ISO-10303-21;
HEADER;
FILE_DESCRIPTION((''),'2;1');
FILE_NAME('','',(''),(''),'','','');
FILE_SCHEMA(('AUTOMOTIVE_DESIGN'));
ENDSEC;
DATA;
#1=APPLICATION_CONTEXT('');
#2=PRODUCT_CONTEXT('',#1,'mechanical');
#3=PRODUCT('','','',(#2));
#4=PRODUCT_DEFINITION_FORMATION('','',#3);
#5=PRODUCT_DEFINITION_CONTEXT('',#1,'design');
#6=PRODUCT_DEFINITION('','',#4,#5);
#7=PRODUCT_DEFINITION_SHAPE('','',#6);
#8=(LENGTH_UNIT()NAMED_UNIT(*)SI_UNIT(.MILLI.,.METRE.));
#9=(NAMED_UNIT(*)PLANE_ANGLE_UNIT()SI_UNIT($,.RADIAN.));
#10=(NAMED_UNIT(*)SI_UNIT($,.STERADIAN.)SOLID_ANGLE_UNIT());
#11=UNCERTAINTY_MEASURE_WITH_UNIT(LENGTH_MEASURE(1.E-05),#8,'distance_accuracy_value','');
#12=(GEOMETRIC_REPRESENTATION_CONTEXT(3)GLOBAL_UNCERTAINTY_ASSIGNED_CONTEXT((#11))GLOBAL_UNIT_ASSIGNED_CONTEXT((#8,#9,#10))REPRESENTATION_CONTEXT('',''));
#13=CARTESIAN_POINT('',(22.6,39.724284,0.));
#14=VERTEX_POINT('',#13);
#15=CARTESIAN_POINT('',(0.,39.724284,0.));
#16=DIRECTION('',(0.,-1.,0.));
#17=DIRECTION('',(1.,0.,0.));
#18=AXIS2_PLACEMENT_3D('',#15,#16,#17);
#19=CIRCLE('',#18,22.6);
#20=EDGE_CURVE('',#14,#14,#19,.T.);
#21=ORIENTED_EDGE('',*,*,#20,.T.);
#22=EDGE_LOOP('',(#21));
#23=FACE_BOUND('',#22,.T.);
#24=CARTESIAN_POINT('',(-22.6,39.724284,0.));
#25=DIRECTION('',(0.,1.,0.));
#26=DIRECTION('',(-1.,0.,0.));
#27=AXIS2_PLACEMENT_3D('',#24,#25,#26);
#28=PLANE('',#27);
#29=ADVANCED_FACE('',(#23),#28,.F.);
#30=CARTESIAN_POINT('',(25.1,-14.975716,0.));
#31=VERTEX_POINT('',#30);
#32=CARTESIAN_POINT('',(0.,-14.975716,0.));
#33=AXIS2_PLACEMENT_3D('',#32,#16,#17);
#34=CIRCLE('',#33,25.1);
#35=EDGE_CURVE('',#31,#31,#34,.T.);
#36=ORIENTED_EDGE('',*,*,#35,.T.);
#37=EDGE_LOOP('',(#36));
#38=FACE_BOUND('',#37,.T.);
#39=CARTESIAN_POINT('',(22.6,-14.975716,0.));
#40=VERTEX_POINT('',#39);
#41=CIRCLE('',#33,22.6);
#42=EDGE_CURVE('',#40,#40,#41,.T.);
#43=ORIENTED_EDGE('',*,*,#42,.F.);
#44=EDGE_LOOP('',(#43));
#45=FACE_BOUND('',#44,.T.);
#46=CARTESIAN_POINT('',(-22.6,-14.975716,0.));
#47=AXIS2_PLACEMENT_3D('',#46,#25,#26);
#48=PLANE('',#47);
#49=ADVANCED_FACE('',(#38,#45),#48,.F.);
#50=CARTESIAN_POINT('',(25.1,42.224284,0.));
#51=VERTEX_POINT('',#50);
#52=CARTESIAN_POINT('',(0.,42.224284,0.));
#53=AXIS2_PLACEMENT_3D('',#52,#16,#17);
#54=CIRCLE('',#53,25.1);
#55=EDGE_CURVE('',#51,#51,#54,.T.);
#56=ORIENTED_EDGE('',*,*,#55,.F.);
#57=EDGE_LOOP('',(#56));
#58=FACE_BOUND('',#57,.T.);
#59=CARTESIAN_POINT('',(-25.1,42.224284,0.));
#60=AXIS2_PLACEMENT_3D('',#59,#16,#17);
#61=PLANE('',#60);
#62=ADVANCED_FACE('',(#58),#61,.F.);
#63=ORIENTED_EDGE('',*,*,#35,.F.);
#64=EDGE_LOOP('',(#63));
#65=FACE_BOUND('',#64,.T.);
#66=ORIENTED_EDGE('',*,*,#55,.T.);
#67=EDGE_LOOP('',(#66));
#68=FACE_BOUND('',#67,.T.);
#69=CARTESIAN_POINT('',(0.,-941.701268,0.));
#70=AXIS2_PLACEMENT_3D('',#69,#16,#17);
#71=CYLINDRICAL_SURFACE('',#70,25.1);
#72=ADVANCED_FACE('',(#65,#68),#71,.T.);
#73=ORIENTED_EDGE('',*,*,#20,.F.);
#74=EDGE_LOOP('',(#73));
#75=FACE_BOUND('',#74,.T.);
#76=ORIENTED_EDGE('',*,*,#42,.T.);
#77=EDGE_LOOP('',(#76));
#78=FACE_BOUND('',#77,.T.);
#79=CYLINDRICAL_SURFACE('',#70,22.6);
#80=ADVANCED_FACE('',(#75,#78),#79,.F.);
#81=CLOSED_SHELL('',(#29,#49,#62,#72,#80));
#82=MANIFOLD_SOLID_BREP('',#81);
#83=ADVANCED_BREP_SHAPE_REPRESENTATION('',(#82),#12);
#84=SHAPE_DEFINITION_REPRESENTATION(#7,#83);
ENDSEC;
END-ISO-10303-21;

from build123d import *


with BuildPart() as part:
    # Sketch1 → Revolve1 (revolve)
    with BuildSketch(Plane.XY, mode=Mode.PRIVATE) as revolve1_sk:
        Polygon((-22.6, -14.97571636), (-22.6, 39.72428364), (0, 39.72428364), (0, 42.22428364), (-25.1, 42.22428364), (-25.1, -14.97571636), align=None)
    revolve(revolve1_sk.sketch.rotate(Axis((0, -941.701268135, 0), (0, 1, 0)), 180), axis=Axis((0, -941.701268135, 0), (0, 1, 0)))


solid = part.part
